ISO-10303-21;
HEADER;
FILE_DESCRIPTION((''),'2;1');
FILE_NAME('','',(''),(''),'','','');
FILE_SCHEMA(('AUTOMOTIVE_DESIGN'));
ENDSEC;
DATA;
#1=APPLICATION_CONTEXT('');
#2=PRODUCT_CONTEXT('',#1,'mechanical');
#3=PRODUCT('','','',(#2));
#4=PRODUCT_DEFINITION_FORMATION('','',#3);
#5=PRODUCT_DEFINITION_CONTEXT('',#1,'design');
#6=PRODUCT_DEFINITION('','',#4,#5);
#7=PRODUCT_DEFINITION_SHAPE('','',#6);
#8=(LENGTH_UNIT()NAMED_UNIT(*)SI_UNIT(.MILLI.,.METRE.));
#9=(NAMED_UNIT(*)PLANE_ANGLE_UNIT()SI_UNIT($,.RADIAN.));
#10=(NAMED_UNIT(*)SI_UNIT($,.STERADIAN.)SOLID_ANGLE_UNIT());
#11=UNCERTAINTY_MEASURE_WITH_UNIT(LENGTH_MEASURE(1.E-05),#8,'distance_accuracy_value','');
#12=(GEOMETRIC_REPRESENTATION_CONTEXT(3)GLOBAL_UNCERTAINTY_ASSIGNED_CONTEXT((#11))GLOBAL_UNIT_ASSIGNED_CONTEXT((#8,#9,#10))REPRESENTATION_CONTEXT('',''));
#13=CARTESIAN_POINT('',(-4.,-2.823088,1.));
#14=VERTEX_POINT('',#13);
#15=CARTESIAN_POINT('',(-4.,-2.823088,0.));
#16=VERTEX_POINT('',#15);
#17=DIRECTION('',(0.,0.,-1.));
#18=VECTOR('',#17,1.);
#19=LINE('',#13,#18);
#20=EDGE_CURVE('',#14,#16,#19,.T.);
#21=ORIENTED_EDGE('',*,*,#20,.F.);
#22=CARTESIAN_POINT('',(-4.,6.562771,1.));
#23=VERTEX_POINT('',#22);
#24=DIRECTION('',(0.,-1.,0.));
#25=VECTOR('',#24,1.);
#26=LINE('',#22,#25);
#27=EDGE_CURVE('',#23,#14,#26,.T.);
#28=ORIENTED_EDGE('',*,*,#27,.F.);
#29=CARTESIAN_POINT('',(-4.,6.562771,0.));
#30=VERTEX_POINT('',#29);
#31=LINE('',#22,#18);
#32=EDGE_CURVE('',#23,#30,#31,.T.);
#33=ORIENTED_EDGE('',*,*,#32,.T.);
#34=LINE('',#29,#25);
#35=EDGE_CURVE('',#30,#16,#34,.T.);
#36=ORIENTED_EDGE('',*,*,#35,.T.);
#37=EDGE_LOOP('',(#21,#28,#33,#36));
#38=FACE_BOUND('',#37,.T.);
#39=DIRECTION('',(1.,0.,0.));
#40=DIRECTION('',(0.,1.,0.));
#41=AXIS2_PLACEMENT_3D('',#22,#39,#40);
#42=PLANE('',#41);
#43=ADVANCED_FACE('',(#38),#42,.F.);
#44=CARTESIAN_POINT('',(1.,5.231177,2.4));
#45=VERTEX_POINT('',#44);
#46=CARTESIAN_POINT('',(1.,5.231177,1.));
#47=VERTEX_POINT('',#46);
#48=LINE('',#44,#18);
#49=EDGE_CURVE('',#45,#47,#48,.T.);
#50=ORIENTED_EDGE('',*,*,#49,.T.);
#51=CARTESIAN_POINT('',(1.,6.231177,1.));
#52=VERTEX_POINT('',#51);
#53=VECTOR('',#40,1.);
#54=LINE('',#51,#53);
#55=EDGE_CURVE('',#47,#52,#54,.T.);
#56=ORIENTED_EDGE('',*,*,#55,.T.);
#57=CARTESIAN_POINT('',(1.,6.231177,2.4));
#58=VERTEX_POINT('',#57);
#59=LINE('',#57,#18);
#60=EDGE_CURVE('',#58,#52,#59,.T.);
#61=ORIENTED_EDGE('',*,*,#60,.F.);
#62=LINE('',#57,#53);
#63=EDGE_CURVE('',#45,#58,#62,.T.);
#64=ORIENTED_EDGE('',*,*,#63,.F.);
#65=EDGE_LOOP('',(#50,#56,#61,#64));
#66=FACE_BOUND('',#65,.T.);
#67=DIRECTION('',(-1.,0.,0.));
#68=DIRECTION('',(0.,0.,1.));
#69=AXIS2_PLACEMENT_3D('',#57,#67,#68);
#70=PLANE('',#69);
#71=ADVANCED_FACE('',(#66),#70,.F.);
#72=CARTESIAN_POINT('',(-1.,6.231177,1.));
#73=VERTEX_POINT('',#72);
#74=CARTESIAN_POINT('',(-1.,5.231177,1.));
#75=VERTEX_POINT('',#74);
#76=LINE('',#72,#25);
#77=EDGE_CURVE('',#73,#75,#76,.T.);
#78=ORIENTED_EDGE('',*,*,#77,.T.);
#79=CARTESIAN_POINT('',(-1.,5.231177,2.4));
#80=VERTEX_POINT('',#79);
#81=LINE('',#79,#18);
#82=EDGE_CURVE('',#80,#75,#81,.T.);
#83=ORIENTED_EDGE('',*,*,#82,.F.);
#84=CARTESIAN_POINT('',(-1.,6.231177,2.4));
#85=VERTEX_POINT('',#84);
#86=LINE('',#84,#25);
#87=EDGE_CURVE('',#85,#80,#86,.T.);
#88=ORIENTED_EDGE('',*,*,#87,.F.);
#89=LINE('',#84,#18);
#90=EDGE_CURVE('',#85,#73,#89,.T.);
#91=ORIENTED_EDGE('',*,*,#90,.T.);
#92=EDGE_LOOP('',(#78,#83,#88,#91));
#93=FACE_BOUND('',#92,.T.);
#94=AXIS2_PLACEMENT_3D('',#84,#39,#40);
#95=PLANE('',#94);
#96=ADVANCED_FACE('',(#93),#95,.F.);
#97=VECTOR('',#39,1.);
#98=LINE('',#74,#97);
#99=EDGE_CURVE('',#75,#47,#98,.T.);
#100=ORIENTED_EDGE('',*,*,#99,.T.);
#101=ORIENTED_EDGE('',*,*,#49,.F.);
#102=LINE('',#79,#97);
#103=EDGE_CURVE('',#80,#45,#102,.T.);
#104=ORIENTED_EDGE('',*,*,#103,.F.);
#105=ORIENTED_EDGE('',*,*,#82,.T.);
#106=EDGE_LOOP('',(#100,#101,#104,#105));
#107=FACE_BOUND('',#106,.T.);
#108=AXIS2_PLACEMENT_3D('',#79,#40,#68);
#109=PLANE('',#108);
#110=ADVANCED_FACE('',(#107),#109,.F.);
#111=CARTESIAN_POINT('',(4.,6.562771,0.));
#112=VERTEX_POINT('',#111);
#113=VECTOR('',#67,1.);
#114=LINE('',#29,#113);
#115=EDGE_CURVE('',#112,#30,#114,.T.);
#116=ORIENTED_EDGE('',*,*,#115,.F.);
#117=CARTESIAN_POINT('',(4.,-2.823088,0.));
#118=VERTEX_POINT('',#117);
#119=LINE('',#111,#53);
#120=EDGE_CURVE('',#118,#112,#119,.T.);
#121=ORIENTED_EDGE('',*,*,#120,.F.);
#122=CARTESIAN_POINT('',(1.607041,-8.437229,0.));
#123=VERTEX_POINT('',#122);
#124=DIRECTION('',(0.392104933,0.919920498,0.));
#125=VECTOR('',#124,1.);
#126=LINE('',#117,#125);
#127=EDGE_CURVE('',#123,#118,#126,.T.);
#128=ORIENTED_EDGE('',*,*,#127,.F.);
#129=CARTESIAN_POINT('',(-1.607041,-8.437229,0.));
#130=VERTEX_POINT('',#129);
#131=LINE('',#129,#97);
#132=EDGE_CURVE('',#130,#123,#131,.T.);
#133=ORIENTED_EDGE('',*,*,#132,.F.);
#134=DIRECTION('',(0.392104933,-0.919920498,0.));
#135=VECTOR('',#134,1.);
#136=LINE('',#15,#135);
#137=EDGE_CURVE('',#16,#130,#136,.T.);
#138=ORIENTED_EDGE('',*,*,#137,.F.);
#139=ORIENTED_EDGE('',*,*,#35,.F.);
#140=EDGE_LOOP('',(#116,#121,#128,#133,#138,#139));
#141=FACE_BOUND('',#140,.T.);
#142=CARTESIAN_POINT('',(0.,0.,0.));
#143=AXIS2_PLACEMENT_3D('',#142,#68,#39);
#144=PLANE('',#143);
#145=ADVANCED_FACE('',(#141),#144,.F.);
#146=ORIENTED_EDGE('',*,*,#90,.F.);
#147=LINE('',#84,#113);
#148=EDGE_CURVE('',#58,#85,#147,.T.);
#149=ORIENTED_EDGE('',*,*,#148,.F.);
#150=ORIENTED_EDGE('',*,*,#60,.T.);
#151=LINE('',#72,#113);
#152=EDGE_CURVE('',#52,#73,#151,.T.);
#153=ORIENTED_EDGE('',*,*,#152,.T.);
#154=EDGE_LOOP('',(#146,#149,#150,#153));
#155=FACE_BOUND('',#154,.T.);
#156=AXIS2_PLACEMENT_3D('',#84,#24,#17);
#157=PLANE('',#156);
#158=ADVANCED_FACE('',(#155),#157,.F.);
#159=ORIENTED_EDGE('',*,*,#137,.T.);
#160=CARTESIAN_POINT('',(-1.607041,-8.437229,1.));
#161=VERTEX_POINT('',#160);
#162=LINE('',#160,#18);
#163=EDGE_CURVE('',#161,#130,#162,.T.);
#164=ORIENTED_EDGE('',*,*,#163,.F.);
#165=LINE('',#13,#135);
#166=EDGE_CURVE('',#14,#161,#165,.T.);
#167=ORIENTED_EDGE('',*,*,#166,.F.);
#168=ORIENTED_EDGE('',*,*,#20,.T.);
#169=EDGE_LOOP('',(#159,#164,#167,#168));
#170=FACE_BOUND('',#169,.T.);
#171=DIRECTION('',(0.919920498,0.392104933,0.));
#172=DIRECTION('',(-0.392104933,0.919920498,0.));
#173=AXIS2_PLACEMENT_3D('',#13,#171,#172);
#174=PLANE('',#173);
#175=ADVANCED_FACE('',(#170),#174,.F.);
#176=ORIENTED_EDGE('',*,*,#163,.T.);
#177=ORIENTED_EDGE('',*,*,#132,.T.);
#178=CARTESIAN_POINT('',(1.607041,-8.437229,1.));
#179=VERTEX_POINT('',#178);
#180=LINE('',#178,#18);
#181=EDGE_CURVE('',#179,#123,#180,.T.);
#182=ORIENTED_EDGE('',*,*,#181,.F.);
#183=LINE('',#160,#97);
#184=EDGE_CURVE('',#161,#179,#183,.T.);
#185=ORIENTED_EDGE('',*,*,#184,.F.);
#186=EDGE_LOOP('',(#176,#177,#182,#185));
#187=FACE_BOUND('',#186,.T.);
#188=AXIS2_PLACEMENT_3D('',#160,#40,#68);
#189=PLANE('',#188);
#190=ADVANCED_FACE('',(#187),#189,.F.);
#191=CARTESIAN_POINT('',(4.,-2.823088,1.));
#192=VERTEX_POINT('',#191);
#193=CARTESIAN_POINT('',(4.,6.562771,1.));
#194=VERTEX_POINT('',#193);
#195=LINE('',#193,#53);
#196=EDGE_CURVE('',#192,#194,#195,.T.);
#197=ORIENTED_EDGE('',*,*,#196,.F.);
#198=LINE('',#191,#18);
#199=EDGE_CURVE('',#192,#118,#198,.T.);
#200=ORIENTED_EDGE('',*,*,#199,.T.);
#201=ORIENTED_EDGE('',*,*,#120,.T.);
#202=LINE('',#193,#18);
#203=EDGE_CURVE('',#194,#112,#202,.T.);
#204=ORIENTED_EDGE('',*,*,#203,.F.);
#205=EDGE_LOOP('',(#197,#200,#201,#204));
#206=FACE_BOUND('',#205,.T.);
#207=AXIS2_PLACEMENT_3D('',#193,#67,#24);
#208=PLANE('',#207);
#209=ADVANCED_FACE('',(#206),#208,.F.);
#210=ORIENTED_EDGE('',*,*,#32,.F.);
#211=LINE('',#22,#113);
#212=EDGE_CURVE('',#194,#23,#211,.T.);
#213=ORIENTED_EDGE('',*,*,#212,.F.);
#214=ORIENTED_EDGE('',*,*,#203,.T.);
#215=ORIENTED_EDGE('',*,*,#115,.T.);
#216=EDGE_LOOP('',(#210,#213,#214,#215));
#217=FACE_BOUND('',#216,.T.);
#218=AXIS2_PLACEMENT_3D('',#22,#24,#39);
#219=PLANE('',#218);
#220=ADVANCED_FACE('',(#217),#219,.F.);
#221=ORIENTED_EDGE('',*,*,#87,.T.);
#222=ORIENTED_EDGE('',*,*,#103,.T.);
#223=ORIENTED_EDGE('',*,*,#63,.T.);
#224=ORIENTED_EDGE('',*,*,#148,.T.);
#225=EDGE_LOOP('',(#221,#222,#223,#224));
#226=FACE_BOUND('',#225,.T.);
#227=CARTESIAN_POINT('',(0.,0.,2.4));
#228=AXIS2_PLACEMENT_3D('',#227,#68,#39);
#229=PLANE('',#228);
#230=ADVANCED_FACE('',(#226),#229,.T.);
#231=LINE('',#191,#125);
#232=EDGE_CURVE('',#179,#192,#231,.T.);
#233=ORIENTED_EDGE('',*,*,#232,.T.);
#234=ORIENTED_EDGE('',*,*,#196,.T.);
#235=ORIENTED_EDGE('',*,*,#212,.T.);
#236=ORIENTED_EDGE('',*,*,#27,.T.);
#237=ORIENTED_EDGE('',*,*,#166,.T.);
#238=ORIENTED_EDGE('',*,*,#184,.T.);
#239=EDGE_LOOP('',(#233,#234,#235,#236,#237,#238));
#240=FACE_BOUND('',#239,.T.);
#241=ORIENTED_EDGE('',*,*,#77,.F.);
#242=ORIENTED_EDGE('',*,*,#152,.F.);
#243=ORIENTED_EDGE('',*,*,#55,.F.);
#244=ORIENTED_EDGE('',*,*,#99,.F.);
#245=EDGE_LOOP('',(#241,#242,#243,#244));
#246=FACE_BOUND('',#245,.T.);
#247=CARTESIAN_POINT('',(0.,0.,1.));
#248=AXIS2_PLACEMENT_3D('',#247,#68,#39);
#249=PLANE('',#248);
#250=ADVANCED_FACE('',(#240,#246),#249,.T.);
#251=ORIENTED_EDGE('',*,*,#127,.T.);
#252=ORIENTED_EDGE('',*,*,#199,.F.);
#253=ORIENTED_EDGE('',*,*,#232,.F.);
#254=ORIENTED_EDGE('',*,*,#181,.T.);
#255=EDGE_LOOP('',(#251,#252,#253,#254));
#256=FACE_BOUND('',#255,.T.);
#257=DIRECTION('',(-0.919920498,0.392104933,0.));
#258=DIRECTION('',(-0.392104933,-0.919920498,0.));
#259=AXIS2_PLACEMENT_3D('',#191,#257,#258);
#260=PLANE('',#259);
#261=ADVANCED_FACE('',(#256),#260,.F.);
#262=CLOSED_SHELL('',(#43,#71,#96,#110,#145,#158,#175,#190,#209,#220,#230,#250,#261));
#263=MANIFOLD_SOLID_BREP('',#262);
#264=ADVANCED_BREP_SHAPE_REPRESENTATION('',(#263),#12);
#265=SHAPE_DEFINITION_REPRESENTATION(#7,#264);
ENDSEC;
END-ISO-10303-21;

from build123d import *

# Parameters (mm, degrees)
BOSS_EXTRUDE1_DEPTH = 1
SKETCH2_W           = 2
SKETCH2_H           = 1
BOSS_EXTRUDE2_DEPTH = 1.4


with BuildPart() as part:
    # Sketch1 → Boss-Extrude1 (new body)
    with BuildSketch(Plane.XY):
        Polygon((-4, 6.562771437), (4, 6.562771437), (4, -2.823087523), (1.607040609, -8.437228563), (-1.607040609, -8.437228563), (-4, -2.823087523), align=None)
    extrude(amount=BOSS_EXTRUDE1_DEPTH)

    # Sketch2 → Boss-Extrude2 (add)
    with BuildSketch(Plane.XY.offset(1)):
        with Locations((0, 5.731176547)):
            Rectangle(SKETCH2_W, SKETCH2_H)
    extrude(amount=BOSS_EXTRUDE2_DEPTH)


solid = part.part
